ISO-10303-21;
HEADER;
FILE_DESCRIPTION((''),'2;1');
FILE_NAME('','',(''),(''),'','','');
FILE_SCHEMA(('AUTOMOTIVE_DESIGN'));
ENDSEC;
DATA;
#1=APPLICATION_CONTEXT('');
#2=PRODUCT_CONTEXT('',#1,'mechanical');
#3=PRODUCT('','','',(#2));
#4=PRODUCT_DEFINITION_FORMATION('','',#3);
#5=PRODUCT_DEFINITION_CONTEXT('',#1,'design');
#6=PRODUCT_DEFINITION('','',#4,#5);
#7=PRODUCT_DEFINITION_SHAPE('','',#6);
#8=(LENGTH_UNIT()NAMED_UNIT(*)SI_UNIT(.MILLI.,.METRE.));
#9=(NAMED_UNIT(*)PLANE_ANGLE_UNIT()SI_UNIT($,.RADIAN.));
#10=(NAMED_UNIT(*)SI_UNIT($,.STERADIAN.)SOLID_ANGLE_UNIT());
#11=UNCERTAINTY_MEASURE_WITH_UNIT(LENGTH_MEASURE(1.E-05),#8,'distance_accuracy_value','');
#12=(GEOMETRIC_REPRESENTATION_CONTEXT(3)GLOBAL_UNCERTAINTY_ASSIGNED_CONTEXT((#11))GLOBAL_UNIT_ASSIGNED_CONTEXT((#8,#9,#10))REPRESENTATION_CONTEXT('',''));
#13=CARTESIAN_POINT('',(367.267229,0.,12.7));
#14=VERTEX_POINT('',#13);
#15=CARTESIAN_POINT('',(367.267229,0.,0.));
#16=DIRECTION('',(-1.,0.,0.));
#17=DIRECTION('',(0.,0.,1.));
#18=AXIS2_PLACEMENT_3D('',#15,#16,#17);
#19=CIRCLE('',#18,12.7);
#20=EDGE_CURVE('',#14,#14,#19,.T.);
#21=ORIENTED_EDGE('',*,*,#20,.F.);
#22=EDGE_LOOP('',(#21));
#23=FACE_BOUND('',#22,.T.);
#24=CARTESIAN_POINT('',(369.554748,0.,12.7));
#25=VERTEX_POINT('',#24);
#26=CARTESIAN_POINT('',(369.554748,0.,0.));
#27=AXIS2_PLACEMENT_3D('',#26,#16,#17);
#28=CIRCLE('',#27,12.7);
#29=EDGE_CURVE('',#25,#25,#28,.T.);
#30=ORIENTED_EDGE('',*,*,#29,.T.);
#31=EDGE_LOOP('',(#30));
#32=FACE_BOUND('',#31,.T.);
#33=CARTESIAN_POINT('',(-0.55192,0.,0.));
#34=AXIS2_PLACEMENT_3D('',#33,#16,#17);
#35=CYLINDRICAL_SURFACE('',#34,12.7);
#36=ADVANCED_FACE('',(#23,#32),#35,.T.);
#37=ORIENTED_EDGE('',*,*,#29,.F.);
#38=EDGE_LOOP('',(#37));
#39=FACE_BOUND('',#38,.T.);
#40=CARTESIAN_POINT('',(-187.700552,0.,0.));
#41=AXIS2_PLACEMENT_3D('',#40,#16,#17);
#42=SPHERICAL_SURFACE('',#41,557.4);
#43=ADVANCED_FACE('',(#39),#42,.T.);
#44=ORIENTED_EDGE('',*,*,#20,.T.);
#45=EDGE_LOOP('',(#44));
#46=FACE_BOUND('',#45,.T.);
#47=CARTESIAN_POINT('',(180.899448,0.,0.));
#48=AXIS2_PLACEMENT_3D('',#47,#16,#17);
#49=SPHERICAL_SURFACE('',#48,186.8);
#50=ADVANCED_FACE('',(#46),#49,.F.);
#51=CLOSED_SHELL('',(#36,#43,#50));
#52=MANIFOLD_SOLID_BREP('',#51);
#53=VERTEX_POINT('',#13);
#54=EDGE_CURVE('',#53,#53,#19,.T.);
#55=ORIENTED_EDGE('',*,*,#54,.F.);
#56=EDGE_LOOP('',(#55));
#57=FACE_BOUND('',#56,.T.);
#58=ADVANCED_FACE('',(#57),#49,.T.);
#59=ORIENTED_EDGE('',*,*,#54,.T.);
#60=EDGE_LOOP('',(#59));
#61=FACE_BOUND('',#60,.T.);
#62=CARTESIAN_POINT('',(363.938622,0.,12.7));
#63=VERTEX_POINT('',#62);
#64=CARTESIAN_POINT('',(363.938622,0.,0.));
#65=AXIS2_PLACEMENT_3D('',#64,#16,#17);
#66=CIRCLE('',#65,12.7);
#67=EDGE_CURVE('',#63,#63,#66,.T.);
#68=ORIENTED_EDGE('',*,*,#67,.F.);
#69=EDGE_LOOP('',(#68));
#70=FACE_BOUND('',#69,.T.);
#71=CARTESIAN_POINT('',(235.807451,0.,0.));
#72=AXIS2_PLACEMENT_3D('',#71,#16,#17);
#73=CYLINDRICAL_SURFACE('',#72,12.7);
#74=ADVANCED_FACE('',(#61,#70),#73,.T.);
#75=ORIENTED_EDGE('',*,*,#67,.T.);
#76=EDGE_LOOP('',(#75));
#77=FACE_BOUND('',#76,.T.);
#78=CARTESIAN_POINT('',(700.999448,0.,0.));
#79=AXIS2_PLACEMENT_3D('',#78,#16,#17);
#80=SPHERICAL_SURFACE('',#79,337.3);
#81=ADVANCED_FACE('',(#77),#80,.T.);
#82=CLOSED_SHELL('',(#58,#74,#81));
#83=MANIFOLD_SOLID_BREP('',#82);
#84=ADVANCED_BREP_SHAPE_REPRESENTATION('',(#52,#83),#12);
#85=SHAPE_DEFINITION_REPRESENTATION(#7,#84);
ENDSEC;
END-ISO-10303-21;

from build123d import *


with BuildPart() as part:
    # 草图1 one side → 旋转1 (revolve)
    with BuildSketch(Plane(origin=(0, 0, 0), x_dir=(1, 0, 0), z_dir=(0, 1, 0)), mode=Mode.PRIVATE) as revolve_1_sk:
        with BuildLine():
            ThreePointArc((363.938622172, 12.7), (363.759246501, 6.351125973), (363.699447543, 0))
            Line((363.699447543, 0), (367.699447543, 0))
            ThreePointArc((367.699447543, 0), (367.59136166, 6.353676353), (367.267229093, 12.7))
            Line((367.267229093, 12.7), (363.938622172, 12.7))
        make_face()
    revolve(revolve_1_sk.sketch.rotate(Axis((235.807450691, 0, 0), (1, 0, 0)), 180), axis=Axis((235.807450691, 0, 0), (1, 0, 0)))  # turned: the seam where the file's is


with BuildPart() as body_2:
    # 草图2 one side → 旋转3 (revolve)
    with BuildSketch(Plane(origin=(0, 0, 0), x_dir=(1, 0, 0), z_dir=(0, 1, 0)), mode=Mode.PRIVATE) as revolve_3_sk:
        with BuildLine():
            Line((369.554748101, 12.7), (367.267229093, 12.7))
            ThreePointArc((367.267229093, 12.7), (367.59136166, 6.353676353), (367.699447543, 0))
            Line((367.699447543, 0), (369.699447543, 0))
            ThreePointArc((369.699447543, 0), (369.663271509, 6.350412151), (369.554748101, 12.7))
        make_face()
    revolve(revolve_3_sk.sketch.rotate(Axis((-0.551919993, 0, 0), (1, 0, 0)), 180), axis=Axis((-0.551919993, 0, 0), (1, 0, 0)))  # turned: the seam where the file's is


solid = Compound([part.part, body_2.part])
